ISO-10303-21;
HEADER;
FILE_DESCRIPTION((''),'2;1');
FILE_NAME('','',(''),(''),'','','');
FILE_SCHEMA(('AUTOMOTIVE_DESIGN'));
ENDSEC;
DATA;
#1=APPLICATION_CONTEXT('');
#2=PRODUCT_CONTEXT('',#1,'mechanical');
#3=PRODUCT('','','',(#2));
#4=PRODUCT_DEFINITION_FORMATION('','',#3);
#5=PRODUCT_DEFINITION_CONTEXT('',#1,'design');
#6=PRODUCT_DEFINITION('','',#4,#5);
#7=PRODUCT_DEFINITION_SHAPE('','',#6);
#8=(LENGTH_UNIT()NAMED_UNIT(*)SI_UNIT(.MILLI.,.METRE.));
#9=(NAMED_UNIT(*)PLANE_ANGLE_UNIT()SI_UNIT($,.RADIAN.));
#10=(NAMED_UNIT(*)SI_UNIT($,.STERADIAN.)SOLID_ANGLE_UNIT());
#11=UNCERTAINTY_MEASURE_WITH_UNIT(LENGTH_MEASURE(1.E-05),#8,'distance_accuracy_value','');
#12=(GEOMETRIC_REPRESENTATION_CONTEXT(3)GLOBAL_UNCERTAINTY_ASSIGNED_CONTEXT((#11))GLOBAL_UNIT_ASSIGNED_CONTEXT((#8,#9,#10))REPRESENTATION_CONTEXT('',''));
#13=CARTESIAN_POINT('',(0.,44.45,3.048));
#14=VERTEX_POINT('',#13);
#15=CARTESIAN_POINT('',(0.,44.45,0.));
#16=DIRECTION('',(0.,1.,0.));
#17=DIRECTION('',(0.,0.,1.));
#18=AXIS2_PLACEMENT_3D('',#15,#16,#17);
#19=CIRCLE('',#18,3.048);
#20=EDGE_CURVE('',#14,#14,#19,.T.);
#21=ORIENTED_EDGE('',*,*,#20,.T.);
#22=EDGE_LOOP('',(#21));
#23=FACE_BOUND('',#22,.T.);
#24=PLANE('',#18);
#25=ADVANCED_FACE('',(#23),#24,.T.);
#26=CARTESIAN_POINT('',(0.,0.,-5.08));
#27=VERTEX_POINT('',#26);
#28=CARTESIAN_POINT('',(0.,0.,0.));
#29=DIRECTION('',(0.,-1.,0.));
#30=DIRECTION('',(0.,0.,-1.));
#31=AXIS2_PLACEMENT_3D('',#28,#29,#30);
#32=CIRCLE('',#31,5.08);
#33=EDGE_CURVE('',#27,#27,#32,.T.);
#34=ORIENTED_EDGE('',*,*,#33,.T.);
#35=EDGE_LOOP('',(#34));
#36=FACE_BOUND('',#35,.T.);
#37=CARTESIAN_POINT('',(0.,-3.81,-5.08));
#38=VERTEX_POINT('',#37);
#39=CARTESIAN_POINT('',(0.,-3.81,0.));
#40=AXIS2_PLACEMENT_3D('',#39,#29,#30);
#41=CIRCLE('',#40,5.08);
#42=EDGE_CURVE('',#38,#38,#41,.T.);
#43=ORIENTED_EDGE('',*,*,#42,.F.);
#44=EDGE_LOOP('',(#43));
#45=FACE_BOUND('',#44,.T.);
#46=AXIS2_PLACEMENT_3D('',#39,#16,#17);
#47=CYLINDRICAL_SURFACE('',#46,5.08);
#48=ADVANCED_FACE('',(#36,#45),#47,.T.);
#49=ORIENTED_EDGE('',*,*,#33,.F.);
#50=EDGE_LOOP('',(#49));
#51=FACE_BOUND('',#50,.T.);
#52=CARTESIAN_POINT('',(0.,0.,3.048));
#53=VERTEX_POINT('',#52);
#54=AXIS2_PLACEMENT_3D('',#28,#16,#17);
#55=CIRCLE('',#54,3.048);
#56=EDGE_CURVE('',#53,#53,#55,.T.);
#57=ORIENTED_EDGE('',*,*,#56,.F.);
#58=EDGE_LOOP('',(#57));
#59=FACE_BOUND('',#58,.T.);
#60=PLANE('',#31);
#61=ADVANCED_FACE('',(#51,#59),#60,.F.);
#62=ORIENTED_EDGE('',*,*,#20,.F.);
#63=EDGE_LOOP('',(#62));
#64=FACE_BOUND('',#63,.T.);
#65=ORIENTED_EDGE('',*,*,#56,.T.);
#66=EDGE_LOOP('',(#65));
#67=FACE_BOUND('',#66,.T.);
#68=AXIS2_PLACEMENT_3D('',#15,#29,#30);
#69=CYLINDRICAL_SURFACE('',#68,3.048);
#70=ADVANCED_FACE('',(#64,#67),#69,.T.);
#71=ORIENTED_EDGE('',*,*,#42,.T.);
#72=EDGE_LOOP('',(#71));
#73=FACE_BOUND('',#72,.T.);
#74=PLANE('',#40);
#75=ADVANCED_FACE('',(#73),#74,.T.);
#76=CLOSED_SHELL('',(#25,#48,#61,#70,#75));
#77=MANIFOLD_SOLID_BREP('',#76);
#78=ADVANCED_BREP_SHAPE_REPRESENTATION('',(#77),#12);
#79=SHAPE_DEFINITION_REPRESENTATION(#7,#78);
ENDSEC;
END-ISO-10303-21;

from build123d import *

# Parameters (mm, degrees)
SKETCH1_R           = 3.048
BOSS_EXTRUDE1_DEPTH = 44.45
SKETCH2_R           = 5.08
BOSS_EXTRUDE2_DEPTH = 3.81


with BuildPart() as part:
    # Sketch1 → Boss-Extrude1 (new body)
    with BuildSketch(Plane(origin=(0, 0, 0), x_dir=(1, 0, 0), z_dir=(0, 1, 0))):
        Circle(SKETCH1_R)
    extrude(amount=BOSS_EXTRUDE1_DEPTH)

    # Sketch2 → Boss-Extrude2 (add)
    with BuildSketch(Plane.XZ):
        Circle(SKETCH2_R)
    extrude(amount=BOSS_EXTRUDE2_DEPTH)


solid = part.part
